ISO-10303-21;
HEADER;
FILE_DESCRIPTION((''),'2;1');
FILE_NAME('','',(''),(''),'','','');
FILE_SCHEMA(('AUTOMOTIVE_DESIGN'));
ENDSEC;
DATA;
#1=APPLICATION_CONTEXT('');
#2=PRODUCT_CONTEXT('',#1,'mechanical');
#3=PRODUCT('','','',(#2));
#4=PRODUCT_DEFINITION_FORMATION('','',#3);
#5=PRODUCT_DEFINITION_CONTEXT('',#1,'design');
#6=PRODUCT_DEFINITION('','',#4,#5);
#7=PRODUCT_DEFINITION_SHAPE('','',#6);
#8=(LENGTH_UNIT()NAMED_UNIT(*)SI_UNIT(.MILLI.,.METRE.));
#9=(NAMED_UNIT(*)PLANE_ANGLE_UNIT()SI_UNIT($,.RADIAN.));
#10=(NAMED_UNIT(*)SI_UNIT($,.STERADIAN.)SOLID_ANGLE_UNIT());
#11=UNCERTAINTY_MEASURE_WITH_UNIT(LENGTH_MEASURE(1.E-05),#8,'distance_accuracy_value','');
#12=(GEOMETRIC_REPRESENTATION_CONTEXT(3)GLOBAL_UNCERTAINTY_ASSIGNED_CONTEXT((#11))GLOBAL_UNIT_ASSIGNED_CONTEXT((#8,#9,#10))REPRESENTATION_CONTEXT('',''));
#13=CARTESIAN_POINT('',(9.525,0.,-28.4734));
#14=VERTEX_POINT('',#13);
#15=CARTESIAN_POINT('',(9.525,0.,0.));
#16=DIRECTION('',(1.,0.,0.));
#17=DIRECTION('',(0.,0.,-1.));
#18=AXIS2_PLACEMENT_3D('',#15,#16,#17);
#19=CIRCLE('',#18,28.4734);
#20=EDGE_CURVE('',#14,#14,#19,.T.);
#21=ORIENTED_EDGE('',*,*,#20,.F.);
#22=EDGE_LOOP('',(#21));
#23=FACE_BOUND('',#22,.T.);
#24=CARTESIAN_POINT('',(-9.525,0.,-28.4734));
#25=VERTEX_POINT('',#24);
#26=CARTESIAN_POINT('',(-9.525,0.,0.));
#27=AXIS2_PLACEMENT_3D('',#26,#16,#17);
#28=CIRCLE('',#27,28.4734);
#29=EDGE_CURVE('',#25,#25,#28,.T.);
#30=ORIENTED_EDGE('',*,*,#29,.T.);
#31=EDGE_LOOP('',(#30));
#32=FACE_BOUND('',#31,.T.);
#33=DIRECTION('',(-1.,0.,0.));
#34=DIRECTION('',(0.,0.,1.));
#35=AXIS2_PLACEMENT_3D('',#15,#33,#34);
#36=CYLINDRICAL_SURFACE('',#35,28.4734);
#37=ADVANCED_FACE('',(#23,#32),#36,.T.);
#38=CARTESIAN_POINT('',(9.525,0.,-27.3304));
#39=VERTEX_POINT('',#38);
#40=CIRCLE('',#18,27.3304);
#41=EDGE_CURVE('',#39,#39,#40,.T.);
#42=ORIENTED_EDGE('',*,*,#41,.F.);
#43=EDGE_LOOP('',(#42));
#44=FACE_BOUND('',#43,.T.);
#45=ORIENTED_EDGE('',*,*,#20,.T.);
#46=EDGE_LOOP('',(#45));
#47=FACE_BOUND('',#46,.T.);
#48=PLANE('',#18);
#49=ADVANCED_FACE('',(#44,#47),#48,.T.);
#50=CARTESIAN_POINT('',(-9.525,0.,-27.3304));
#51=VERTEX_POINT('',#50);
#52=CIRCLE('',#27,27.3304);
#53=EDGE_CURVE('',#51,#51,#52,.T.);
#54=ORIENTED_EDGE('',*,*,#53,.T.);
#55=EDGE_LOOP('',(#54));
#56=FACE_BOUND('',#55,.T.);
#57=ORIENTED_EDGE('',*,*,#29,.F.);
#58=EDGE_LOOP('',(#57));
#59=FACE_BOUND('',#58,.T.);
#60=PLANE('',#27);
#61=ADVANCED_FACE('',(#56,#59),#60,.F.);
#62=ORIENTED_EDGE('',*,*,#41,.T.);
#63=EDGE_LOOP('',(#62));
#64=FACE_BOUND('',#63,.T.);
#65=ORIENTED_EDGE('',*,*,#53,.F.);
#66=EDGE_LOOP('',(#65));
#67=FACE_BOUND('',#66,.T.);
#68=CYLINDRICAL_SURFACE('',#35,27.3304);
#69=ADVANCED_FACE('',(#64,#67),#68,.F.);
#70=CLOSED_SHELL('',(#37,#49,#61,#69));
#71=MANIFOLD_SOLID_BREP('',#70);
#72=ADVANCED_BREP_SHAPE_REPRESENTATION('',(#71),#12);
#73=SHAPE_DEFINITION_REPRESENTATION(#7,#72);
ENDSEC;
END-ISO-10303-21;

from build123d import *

# Parameters (mm, degrees)
SKETCH1_R           = 28.4734
SKETCH1_R_2         = 27.3304
BOSS_EXTRUDE1_DEPTH = 9.525


with BuildPart() as part:
    # Sketch1 → Boss-Extrude1 (new body, symmetric)
    with BuildSketch(Plane(origin=(0, 0, 0), x_dir=(0, 0, -1), z_dir=(1, 0, 0))):
        Circle(SKETCH1_R)
        Circle(SKETCH1_R_2, mode=Mode.SUBTRACT)
    extrude(amount=BOSS_EXTRUDE1_DEPTH, both=True)


solid = part.part
